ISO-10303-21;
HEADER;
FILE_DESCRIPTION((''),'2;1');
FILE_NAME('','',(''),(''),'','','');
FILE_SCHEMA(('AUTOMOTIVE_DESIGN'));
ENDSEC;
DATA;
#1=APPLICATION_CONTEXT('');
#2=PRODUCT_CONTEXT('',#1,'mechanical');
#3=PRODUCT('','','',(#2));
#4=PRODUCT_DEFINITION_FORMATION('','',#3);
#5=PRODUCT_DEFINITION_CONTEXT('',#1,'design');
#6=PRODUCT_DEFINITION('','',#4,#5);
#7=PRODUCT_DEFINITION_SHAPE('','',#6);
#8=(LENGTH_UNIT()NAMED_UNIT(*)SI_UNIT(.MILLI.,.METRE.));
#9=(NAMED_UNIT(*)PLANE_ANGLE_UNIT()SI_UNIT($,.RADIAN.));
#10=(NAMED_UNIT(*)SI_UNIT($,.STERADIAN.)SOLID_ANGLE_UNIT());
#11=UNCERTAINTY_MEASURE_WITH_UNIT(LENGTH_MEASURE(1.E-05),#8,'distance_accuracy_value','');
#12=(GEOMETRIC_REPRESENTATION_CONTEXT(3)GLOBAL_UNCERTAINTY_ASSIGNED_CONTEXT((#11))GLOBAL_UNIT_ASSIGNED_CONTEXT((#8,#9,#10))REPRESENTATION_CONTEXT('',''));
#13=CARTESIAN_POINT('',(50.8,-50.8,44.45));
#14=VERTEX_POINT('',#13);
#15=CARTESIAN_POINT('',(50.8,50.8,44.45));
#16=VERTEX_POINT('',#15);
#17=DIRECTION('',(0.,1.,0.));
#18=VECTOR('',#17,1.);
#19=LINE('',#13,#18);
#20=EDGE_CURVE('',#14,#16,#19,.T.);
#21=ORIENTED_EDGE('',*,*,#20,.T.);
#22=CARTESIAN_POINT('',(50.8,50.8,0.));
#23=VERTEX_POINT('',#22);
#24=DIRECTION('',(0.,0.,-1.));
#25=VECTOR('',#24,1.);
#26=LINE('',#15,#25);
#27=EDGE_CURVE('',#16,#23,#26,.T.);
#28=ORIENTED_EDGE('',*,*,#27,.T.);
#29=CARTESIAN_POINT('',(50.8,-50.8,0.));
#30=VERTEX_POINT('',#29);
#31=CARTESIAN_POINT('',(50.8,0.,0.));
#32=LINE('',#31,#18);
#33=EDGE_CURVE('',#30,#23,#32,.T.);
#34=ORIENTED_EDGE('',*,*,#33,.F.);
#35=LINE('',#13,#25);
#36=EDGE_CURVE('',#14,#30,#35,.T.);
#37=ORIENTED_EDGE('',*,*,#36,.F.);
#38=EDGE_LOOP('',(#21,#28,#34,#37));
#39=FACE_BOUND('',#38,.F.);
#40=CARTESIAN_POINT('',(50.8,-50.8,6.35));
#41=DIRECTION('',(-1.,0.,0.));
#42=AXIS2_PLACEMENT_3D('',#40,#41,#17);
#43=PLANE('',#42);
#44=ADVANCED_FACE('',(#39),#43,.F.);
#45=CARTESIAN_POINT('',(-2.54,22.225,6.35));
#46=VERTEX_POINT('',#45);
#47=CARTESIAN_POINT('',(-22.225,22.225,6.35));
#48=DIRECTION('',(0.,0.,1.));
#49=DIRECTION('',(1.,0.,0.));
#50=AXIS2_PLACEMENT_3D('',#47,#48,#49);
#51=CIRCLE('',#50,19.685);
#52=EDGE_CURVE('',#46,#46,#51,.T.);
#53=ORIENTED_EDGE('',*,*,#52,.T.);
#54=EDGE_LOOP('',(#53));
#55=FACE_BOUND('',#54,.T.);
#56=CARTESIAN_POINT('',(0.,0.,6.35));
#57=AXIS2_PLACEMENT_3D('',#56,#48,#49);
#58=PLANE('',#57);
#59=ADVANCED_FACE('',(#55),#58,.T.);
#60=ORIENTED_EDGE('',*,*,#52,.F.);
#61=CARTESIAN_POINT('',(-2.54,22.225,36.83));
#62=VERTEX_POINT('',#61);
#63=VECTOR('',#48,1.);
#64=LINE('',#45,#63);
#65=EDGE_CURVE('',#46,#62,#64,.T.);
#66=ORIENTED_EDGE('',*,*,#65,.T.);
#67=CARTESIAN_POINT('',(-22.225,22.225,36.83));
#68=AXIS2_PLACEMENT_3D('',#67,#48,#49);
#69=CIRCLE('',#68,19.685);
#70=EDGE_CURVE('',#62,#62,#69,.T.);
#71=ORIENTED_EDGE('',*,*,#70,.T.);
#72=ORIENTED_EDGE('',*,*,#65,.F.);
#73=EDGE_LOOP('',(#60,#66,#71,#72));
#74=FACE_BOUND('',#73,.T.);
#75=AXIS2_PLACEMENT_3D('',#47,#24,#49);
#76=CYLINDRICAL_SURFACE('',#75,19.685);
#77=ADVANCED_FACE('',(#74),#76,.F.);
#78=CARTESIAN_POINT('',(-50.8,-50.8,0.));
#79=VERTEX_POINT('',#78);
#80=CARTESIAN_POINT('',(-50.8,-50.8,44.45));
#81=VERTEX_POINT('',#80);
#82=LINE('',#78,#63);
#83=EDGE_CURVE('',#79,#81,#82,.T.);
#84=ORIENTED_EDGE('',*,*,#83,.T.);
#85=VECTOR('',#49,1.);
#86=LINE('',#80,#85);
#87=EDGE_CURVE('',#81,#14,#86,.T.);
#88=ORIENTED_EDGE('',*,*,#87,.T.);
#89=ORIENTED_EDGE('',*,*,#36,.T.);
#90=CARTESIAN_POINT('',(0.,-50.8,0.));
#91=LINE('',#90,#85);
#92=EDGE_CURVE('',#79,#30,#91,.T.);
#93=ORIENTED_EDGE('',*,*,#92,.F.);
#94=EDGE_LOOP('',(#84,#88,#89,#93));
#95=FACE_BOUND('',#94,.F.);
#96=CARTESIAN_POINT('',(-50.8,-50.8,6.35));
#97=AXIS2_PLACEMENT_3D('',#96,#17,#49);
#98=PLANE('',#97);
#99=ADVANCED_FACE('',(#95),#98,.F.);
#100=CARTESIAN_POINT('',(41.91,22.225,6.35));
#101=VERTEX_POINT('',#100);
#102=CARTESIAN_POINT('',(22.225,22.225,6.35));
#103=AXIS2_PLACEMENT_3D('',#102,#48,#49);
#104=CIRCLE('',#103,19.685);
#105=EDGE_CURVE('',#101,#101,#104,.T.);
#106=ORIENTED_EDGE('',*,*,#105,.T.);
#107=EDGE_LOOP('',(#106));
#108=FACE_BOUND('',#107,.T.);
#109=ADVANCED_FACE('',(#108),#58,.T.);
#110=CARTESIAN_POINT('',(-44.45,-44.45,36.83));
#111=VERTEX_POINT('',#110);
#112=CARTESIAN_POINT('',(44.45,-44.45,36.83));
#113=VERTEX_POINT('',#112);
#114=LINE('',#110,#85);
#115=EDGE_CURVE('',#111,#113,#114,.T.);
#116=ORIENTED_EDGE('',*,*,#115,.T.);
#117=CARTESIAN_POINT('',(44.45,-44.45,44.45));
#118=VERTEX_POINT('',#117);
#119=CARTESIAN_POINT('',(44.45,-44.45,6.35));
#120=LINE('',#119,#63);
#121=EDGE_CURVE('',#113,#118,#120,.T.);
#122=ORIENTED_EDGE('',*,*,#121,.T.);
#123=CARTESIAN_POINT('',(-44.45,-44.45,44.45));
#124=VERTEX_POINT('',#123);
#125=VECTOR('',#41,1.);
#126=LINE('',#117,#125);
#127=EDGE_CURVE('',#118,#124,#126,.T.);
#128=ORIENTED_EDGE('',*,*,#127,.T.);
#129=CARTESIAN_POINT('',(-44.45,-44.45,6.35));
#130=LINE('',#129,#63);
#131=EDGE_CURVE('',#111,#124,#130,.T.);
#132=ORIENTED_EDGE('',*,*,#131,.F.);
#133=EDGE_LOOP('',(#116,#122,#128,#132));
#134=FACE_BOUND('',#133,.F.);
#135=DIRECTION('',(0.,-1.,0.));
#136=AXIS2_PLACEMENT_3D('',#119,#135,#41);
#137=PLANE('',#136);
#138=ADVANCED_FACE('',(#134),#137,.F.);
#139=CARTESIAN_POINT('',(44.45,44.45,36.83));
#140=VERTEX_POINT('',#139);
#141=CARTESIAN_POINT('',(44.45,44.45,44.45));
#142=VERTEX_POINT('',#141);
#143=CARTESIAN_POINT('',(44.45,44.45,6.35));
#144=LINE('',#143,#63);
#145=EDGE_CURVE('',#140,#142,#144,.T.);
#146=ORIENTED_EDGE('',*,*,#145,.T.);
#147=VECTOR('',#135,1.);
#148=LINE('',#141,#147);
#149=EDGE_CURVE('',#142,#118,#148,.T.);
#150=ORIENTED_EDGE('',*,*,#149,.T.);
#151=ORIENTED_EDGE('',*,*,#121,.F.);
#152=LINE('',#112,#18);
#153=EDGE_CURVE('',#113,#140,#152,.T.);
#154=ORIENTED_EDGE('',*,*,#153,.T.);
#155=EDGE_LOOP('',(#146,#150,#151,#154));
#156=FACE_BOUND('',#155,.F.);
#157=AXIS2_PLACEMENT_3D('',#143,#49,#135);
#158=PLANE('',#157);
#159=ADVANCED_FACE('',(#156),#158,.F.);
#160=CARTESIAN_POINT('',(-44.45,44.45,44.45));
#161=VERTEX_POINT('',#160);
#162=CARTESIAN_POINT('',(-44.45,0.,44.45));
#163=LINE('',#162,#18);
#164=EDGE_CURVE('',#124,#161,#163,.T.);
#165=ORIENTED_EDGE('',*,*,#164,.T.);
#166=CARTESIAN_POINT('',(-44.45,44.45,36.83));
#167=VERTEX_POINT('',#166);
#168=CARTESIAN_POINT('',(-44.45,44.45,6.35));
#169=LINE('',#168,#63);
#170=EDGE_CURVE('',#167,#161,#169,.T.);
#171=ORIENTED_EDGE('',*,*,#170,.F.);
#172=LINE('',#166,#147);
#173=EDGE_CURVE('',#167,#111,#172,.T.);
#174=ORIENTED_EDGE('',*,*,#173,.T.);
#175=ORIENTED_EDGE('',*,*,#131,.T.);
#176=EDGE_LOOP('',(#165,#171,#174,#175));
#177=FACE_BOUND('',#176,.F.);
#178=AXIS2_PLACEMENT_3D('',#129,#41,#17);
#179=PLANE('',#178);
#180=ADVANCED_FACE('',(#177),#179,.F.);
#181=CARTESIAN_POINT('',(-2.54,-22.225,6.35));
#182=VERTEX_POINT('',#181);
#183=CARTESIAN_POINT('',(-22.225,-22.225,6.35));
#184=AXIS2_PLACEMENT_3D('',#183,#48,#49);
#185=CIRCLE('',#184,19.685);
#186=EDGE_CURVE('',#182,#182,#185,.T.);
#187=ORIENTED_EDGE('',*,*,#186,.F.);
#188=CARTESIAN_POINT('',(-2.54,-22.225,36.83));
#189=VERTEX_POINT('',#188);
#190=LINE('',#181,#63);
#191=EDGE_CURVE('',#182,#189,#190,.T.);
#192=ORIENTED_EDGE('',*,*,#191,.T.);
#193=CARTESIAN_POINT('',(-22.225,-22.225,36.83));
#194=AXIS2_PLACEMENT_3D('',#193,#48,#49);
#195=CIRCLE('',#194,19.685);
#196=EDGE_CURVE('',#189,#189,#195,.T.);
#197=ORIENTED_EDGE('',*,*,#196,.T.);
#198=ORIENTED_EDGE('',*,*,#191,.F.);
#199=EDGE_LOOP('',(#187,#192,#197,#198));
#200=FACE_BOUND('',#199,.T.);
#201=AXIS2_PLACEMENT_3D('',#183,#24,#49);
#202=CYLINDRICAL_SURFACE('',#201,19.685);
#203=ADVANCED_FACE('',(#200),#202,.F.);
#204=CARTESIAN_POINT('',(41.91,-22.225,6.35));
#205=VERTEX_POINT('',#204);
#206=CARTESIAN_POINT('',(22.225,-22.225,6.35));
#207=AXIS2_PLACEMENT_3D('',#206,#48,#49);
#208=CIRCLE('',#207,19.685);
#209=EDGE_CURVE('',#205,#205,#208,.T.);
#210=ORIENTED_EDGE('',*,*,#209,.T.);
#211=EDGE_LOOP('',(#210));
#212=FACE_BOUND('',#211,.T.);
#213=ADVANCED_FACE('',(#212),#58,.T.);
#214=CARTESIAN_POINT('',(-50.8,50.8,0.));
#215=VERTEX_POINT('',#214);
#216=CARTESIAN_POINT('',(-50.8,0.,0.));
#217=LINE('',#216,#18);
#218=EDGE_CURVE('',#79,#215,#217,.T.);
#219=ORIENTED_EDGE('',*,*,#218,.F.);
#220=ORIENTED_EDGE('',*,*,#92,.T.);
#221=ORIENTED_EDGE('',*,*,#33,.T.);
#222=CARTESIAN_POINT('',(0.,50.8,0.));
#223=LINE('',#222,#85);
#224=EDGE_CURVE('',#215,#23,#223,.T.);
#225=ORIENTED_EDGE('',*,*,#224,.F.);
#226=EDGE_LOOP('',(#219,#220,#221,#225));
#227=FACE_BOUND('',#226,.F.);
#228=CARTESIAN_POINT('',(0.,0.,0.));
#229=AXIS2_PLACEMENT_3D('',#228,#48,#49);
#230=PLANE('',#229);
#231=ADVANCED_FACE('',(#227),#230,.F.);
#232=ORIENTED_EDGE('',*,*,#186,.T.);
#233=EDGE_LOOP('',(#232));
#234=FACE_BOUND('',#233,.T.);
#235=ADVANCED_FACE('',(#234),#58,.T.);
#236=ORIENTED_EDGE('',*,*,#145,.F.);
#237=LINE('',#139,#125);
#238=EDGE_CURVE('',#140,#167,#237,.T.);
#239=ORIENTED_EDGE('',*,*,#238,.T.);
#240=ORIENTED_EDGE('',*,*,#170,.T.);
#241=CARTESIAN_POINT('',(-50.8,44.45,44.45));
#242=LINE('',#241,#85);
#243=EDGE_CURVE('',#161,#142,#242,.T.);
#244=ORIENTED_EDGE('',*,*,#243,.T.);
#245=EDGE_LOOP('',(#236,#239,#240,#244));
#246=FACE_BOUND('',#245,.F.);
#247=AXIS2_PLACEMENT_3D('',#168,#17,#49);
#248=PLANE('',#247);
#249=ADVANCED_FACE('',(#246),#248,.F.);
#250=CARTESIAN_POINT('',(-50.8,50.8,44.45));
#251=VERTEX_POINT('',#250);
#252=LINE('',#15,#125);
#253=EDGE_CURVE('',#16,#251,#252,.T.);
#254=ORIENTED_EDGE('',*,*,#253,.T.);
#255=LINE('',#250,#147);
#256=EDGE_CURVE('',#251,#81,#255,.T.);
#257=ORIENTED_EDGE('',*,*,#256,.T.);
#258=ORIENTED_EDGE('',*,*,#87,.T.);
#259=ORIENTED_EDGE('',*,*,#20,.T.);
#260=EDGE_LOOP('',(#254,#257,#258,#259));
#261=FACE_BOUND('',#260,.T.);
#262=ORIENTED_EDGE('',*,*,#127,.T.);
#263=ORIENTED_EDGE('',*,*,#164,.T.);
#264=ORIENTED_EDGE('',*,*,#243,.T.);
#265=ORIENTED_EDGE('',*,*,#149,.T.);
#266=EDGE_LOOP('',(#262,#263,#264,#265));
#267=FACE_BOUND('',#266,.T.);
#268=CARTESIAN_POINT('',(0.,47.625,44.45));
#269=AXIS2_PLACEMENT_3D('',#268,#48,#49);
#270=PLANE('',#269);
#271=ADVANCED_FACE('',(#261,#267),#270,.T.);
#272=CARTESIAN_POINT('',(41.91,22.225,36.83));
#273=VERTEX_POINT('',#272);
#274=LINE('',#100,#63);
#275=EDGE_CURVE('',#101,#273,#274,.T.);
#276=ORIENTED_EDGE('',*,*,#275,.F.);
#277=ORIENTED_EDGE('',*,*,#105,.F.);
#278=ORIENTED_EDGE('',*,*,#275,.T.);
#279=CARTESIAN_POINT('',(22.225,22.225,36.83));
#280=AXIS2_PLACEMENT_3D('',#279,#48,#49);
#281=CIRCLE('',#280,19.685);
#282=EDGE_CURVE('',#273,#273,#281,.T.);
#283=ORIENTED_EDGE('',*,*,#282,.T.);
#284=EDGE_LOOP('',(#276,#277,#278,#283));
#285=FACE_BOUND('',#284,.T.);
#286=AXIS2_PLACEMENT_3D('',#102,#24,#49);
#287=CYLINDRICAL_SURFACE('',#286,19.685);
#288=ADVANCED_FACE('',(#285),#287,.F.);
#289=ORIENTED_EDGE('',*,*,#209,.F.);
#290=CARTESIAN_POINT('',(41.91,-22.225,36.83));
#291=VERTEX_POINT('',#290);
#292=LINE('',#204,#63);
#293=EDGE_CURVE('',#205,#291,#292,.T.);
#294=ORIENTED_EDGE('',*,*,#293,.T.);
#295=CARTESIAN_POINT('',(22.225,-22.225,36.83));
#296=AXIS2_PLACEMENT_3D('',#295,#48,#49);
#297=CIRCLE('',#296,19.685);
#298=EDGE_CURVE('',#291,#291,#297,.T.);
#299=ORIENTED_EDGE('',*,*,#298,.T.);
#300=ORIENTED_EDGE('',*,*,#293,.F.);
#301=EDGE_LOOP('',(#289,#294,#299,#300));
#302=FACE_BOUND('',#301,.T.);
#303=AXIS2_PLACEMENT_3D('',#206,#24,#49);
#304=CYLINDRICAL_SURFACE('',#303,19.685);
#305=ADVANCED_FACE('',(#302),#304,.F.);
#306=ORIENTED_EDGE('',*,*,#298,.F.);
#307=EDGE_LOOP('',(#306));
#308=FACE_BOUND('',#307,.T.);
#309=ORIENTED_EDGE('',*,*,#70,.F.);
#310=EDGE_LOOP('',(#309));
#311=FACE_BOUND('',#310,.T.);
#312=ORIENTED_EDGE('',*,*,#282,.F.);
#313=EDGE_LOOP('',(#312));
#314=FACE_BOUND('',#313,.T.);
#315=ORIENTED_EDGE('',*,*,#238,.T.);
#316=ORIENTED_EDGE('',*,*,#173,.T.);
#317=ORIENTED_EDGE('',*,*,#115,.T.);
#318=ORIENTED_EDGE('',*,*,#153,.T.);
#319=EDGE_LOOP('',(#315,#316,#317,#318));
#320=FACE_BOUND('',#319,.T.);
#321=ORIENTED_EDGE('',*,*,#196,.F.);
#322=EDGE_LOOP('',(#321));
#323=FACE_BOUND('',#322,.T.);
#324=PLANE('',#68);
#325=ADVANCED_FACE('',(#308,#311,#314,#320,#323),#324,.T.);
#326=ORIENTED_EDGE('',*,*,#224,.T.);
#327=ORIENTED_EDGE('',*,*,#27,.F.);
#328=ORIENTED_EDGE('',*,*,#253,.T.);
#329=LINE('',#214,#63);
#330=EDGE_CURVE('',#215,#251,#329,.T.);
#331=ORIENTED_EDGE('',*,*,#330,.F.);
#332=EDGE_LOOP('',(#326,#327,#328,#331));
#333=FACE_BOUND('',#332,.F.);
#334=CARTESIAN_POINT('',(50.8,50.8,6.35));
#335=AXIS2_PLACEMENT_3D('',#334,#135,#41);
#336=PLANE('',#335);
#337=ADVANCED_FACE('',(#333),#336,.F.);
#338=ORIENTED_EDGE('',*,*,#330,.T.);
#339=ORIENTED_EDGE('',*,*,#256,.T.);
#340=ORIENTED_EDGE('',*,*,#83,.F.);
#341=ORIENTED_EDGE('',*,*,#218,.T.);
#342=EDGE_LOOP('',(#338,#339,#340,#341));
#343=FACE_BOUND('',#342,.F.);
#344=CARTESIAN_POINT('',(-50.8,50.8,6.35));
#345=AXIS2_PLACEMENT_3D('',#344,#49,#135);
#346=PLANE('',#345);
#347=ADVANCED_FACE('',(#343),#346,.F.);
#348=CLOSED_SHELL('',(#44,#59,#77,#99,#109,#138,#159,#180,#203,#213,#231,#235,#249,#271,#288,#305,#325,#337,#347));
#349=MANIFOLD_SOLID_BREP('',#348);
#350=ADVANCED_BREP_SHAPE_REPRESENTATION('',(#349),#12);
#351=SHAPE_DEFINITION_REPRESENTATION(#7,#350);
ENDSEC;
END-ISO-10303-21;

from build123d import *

# Parameters (mm, degrees)
F0_W     = 101.6
F0_H     = 101.6
F1_DEPTH = 6.35
F2_W     = 6.35
F2_H     = 88.9
F3_DEPTH = 38.1
F4_W     = 44.45
F4_H     = 44.45
F4_R     = 19.685
F5_DEPTH = 30.48


with BuildPart() as f1:
    # F0 (on Top) → F1 (new body)
    with BuildSketch(Plane.XY):
        Rectangle(F0_W, F0_H)
    extrude(amount=F1_DEPTH)

    # F2 (on face) → F3 (join)
    with BuildSketch(Plane.XY.offset(6.35)):
        Polygon((50.8, 50.8), (-50.8, 50.8), (-50.8, 44.45), (-44.45, 44.45), (44.45, 44.45), (50.8, 44.45), align=None)
        with Locations((-47.625, 0)):
            Rectangle(F2_W, F2_H)
        Polygon((50.8, -50.8), (50.8, 44.45), (44.45, 44.45), (44.45, -44.45), (44.45, -50.8), align=None)
        Polygon((-44.45, -44.45), (-50.8, -44.45), (-50.8, -50.8), (44.45, -50.8), (44.45, -44.45), align=None)
    extrude(amount=F3_DEPTH)

    # F4 (on face) → F5 (join)
    with BuildSketch(Plane.XY.offset(6.35)):
        with Locations((-22.225, 22.225)):
            Rectangle(F4_W, F4_H)
        with Locations((-22.225, 22.225)):
            Circle(F4_R, mode=Mode.SUBTRACT)
        with Locations((22.225, 22.225)):
            Rectangle(F4_W, F4_H)
        with Locations((22.225, 22.225)):
            Circle(F4_R, mode=Mode.SUBTRACT)
        with Locations((22.225, -22.225)):
            Rectangle(F4_W, F4_H)
        with Locations((22.225, -22.225)):
            Circle(F4_R, mode=Mode.SUBTRACT)
        with Locations((-22.225, -22.225)):
            Rectangle(F4_W, F4_H)
        with Locations((-22.225, -22.225)):
            Circle(F4_R, mode=Mode.SUBTRACT)
    extrude(amount=F5_DEPTH)


solid = f1.part
